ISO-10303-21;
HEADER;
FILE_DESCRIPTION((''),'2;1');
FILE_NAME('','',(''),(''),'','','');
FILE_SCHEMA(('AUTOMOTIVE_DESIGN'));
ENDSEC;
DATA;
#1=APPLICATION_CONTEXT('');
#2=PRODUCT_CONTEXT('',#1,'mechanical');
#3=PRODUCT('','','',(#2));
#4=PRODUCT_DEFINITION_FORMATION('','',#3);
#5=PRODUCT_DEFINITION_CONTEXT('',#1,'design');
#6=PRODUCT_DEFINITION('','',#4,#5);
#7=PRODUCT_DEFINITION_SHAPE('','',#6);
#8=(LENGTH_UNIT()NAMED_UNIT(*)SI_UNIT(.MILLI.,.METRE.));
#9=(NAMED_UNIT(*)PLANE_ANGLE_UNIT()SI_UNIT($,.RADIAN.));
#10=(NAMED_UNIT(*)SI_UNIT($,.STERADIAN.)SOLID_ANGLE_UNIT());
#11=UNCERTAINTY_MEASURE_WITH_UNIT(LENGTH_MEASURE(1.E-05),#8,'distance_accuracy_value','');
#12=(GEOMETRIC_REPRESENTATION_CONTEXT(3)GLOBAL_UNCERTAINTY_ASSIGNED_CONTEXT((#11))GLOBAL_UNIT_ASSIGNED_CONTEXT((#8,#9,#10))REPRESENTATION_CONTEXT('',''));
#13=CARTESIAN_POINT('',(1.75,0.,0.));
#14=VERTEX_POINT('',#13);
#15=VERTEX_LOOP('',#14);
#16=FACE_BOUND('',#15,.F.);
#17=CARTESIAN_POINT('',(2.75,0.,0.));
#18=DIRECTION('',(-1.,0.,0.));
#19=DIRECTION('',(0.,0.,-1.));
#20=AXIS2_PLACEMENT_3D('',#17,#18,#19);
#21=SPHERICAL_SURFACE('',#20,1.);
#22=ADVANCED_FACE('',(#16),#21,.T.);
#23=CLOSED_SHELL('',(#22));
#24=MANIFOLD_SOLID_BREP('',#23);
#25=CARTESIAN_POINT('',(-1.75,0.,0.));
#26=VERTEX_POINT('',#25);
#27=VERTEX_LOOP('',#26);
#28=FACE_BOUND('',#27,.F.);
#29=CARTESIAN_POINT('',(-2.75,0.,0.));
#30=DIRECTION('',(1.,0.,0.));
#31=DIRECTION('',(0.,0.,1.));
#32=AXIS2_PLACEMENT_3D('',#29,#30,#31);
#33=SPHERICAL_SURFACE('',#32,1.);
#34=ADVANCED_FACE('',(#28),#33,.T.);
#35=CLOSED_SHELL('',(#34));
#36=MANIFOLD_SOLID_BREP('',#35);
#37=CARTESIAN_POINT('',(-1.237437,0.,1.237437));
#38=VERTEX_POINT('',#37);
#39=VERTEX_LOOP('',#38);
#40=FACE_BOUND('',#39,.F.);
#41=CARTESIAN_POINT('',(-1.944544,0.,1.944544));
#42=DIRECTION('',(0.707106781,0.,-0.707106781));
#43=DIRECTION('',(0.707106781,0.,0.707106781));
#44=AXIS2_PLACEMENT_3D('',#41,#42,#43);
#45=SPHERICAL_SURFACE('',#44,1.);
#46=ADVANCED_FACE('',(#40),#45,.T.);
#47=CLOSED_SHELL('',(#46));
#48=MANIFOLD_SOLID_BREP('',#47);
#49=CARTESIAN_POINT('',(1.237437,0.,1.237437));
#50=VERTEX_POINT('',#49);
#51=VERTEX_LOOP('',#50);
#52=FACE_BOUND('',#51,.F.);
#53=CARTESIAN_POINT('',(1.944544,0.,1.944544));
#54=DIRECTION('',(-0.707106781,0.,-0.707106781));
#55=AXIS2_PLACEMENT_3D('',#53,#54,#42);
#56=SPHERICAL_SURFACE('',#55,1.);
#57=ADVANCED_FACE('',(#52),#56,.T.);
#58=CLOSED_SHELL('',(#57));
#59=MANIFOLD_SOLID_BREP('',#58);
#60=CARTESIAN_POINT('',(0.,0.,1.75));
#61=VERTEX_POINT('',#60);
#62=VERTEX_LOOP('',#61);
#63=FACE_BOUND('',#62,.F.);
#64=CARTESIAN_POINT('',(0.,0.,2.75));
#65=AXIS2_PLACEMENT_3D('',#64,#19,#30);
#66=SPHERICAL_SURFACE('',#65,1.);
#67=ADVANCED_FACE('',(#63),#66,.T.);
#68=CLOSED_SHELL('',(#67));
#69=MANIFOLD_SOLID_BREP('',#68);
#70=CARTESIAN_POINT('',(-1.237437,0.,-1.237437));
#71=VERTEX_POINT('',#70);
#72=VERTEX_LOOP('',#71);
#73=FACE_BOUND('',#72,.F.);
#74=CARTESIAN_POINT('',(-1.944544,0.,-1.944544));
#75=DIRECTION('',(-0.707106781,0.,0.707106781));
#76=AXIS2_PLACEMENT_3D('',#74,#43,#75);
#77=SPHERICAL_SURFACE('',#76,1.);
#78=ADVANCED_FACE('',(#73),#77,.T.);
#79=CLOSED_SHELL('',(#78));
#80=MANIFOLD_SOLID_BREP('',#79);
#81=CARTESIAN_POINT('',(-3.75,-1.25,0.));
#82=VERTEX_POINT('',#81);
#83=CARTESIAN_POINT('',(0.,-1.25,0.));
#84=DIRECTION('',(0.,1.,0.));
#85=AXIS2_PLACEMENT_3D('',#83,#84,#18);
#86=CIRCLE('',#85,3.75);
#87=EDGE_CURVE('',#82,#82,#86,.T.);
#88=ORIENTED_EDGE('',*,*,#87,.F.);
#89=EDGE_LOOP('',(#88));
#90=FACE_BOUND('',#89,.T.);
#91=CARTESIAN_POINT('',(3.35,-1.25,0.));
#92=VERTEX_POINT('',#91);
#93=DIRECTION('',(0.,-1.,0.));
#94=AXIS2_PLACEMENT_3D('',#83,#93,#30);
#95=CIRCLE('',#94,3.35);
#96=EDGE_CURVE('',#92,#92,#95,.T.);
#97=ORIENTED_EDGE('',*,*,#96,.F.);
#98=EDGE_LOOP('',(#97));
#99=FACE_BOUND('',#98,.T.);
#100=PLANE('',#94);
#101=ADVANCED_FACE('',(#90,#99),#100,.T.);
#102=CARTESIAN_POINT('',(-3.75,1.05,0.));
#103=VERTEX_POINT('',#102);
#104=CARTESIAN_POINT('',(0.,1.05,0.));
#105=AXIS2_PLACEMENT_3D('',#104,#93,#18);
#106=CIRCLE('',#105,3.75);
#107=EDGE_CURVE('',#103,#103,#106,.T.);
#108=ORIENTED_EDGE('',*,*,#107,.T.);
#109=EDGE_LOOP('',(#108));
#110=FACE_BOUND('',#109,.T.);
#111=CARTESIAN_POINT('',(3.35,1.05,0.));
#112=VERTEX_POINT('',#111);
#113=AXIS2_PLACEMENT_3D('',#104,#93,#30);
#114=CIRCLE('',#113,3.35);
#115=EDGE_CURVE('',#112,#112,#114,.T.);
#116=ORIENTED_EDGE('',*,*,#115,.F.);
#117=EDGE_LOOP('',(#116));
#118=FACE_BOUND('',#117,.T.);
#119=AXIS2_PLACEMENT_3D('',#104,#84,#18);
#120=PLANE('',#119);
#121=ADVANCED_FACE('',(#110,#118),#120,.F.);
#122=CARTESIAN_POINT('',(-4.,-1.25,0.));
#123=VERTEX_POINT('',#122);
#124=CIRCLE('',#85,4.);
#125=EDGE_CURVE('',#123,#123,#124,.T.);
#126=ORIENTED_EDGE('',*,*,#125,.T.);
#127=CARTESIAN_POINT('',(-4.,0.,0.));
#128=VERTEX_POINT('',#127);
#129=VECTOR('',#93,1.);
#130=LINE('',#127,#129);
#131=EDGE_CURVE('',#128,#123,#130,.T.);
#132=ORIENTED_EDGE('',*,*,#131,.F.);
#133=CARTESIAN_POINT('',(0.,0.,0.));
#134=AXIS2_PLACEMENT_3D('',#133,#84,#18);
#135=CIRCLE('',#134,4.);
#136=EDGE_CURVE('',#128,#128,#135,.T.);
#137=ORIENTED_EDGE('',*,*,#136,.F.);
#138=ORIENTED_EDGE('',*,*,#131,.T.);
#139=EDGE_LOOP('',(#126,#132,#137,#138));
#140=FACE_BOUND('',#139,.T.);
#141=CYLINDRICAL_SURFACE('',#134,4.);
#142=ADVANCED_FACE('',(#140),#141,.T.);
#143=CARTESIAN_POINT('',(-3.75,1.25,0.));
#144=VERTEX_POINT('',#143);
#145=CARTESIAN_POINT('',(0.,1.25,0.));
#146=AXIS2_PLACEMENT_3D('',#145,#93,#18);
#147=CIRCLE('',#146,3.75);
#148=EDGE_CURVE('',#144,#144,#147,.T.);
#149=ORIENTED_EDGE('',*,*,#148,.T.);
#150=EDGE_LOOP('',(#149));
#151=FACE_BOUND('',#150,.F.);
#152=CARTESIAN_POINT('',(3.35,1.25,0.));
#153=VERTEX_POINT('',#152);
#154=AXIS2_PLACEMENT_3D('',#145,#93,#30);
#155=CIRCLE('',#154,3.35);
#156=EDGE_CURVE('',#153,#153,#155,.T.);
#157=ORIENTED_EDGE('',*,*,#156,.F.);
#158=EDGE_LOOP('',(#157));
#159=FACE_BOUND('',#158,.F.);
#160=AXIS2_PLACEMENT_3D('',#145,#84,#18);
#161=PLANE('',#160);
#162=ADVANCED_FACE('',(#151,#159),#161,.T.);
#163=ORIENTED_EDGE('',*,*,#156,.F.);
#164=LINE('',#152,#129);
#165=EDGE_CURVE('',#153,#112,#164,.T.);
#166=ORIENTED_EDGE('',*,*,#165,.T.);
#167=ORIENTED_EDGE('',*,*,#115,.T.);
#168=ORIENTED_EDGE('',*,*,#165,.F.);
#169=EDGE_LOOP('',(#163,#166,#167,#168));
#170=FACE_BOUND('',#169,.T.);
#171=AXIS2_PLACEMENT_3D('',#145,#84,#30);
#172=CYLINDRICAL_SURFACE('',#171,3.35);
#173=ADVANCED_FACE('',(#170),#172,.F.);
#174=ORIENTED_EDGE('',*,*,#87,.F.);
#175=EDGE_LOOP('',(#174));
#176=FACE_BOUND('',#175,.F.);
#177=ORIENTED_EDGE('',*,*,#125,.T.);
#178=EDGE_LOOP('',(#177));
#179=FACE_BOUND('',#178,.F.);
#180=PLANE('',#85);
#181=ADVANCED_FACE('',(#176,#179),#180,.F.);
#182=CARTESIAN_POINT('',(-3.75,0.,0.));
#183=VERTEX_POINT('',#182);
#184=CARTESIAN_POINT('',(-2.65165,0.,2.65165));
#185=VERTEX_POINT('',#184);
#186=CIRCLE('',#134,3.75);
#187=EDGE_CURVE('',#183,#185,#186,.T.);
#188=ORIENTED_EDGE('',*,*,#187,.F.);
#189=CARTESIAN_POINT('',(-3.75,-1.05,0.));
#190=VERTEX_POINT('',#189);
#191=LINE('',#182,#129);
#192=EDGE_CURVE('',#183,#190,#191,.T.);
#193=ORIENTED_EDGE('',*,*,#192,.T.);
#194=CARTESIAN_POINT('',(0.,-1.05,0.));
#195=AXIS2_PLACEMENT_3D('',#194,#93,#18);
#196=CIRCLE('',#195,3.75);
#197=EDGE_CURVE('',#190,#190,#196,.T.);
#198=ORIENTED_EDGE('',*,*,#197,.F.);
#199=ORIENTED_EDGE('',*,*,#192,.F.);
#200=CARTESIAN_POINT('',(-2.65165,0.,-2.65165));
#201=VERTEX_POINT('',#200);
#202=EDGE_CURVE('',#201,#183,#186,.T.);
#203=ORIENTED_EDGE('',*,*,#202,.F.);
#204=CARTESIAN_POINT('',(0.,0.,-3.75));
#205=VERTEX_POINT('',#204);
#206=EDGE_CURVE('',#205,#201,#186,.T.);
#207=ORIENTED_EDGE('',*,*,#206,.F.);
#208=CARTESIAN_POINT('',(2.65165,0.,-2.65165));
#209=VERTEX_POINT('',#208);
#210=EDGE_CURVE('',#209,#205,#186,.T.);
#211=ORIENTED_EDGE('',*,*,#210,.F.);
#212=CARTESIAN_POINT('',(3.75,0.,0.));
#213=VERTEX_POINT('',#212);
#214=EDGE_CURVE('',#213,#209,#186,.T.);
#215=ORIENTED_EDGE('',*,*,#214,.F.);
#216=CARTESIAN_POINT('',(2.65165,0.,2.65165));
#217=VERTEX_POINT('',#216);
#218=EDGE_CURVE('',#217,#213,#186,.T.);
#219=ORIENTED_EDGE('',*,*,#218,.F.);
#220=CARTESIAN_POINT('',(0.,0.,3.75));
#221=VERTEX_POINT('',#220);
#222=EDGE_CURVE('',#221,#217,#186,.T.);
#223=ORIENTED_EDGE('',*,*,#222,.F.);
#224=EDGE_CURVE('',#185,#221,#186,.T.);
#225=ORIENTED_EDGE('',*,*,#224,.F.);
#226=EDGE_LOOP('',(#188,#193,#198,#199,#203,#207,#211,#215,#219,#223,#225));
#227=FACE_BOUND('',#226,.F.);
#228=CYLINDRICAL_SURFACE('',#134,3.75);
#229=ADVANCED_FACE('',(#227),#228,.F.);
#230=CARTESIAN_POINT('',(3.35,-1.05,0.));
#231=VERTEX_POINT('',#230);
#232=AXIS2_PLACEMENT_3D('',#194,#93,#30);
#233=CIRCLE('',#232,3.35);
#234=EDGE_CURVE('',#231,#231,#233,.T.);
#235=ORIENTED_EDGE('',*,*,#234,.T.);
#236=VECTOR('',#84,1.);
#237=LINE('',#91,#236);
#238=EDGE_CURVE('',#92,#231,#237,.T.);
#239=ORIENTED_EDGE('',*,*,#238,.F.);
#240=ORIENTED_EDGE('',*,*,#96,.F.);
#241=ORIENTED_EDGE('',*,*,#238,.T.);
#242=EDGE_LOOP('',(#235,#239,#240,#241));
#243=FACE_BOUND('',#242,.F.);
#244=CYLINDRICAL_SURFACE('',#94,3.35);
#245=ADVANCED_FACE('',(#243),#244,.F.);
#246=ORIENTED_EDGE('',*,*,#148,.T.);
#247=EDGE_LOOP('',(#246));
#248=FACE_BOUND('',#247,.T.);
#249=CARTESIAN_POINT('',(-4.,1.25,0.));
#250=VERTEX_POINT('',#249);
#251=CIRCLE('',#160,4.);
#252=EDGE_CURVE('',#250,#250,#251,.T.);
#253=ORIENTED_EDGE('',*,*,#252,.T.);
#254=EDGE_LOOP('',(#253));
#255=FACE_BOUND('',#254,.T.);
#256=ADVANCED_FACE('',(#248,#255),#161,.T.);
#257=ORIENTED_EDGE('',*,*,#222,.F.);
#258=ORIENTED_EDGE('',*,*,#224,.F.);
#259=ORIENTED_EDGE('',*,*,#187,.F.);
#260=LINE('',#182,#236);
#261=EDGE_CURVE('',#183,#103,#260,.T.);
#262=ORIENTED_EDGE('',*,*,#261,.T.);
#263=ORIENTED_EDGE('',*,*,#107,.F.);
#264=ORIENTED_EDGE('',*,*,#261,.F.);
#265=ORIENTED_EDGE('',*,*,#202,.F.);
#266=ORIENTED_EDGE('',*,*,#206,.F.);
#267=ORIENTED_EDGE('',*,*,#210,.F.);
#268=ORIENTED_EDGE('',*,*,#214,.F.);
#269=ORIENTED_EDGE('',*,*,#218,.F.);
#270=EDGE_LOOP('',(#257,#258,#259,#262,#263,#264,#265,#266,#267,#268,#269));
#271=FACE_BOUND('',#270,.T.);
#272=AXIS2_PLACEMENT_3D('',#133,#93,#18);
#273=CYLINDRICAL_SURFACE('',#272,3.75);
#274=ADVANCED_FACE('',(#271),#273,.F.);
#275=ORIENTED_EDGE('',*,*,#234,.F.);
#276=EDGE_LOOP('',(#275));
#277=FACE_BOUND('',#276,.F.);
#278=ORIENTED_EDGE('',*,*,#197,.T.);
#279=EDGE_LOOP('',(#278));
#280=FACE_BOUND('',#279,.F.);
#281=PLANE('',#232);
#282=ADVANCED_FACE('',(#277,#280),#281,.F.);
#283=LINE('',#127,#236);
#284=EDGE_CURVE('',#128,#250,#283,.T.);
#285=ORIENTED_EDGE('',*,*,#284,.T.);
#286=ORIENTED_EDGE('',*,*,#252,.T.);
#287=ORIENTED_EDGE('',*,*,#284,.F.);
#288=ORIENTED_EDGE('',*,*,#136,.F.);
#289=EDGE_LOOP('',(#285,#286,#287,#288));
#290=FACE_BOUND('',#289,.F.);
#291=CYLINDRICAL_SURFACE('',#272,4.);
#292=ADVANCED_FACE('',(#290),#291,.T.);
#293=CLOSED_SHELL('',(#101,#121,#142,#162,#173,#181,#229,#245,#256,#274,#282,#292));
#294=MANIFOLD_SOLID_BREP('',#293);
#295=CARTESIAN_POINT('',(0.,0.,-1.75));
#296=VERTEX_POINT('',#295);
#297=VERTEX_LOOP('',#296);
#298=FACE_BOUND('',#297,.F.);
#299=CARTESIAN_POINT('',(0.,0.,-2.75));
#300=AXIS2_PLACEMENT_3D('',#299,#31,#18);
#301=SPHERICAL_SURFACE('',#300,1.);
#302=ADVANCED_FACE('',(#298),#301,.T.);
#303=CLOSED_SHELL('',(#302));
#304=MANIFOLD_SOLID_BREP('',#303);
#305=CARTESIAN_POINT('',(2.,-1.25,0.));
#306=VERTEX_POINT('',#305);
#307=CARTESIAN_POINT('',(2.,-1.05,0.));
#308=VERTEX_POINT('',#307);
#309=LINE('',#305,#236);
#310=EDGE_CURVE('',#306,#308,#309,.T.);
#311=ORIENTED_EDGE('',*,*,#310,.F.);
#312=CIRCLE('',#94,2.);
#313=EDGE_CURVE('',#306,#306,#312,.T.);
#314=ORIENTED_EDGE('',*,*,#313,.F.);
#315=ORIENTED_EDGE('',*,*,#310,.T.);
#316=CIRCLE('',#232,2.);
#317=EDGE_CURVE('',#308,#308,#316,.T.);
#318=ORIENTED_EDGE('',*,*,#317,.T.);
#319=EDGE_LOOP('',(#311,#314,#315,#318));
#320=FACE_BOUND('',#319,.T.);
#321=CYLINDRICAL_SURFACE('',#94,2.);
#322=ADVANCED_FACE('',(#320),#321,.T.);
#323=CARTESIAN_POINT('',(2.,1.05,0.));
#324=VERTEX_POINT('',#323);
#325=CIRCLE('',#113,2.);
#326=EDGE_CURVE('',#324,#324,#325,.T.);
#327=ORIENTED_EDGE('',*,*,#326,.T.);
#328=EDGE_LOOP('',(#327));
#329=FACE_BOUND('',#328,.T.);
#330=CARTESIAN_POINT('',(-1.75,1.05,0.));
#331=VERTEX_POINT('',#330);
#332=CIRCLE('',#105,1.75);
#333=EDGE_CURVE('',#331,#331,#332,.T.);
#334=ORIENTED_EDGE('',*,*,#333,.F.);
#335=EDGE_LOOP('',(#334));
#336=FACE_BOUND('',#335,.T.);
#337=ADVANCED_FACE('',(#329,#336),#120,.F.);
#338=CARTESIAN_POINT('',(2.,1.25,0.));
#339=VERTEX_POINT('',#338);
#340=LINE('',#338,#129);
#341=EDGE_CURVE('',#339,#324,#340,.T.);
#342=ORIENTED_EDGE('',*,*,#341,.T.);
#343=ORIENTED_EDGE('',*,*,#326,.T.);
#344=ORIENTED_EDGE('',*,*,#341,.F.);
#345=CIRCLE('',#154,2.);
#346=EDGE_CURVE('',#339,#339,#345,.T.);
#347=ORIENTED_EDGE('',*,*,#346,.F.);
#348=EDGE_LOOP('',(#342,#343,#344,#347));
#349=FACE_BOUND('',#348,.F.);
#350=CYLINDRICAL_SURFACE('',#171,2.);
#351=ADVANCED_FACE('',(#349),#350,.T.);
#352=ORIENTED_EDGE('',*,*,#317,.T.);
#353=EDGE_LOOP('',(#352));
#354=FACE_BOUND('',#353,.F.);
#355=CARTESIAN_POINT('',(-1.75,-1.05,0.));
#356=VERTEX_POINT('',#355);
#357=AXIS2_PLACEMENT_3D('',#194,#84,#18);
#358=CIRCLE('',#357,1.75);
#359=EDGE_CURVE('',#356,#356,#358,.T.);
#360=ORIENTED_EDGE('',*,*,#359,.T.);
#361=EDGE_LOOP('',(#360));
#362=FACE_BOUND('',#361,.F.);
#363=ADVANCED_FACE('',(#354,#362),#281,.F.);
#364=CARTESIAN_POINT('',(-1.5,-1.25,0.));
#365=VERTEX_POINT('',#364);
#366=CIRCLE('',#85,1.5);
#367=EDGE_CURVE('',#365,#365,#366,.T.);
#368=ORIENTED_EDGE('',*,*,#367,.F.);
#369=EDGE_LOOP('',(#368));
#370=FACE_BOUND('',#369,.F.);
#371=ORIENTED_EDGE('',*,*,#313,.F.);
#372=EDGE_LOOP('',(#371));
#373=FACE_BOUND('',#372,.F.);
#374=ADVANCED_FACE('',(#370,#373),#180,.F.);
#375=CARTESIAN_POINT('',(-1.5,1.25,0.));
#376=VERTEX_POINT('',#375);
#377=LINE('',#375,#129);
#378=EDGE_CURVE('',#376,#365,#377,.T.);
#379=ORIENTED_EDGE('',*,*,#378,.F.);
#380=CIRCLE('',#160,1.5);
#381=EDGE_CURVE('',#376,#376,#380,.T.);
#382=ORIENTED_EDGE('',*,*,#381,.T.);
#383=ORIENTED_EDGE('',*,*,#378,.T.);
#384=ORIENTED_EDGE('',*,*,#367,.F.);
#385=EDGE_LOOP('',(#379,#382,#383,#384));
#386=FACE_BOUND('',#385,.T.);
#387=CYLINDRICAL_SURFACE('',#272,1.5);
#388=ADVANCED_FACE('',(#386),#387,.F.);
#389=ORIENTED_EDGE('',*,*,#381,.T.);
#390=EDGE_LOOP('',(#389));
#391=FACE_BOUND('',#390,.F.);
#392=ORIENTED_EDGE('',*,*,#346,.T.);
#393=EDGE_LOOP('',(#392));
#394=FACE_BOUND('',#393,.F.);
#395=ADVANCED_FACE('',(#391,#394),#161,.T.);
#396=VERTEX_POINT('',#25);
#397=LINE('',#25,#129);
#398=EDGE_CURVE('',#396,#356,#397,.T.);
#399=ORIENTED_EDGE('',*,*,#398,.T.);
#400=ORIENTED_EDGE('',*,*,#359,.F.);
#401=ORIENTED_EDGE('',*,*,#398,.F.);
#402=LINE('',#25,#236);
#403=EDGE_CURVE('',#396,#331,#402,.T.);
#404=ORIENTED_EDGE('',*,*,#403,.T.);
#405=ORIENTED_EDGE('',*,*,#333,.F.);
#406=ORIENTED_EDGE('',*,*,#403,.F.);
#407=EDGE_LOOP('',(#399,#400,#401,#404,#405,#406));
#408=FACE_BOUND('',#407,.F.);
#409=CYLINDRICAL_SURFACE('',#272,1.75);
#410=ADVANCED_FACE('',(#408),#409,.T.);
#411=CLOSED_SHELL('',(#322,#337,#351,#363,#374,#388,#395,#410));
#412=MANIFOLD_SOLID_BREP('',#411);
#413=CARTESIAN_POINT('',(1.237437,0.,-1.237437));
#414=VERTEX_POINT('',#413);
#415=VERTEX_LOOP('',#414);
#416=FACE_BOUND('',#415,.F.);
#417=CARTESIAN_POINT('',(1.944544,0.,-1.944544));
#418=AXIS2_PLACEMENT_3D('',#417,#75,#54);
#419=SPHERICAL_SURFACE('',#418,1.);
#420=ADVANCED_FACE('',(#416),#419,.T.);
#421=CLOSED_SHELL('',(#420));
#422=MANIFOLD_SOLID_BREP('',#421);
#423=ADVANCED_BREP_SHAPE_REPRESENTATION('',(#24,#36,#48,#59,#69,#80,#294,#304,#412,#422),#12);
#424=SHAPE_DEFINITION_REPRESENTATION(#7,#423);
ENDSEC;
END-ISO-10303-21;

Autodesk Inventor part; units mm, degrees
ref_plane "YZ Plane" through (0, 0, 0) normal (1, 0, 0) x (0, 1, 0)
ref_plane "XZ Plane" through (0, 0, 0) normal (0, 1, 0) x (-1, 0, 0)
ref_plane "XY Plane" through (0, 0, 0) normal (0, 0, 1) x (1, 0, 0)
sketch "Sketch1" plane through (0, 0, 0) normal (0, 1, 0) x (-1, 0, 0)
  circle A0 centre (0, 0) radius 4
  circle A1 centre (0, 0) radius 1.5
  line L0 (1.5, 0) -> (4, 0)
  circle A2 centre (0, 0) radius 1.75
  circle A3 centre (0, 0) radius 3.75
  arc A4 (3.75, 0) -> (1.75, 0) centre (2.75, 0) ccw
  point P0 (1.75, 0)
  dimension "d0" = 8
  dimension "d1" = 3
  dimension "d2" = 3.5
  dimension "d3" = 7.5
revolve "Revolution1" add sketch "Sketch1" angle 360 about axis through (-1.5, 0, 0) along (-1, 0, 0) contours L0 A4
extrude "Extrusion1" add sketch "Sketch1" along normal mid plane 2.5 contours A0 | A2
pattern_circular "Circular Pattern1" count 8 over 360 about axis through (0, -10, 0) along (0, 1, 0) of "Revolution1"
sketch "Sketch2" plane through (0, -1.25, 0) normal (0, -1, 0) x (1, 0, 0)
  circle A0 centre (0, 0) radius 3.35
  circle A1 centre (0, 0) radius 3.75
  circle A2 centre (0, 0) radius 1.75
  circle A3 centre (0, 0) radius 2
  dimension "d10" = 6.7
  dimension "d13" = 4
extrude "Extrusion2" add sketch "Sketch2" against normal blind 0.2
mirror "Mirror1" about plane through (0, 0, 0) normal (0, 1, 0) of "Extrusion2"
properties part number "Bearing"
